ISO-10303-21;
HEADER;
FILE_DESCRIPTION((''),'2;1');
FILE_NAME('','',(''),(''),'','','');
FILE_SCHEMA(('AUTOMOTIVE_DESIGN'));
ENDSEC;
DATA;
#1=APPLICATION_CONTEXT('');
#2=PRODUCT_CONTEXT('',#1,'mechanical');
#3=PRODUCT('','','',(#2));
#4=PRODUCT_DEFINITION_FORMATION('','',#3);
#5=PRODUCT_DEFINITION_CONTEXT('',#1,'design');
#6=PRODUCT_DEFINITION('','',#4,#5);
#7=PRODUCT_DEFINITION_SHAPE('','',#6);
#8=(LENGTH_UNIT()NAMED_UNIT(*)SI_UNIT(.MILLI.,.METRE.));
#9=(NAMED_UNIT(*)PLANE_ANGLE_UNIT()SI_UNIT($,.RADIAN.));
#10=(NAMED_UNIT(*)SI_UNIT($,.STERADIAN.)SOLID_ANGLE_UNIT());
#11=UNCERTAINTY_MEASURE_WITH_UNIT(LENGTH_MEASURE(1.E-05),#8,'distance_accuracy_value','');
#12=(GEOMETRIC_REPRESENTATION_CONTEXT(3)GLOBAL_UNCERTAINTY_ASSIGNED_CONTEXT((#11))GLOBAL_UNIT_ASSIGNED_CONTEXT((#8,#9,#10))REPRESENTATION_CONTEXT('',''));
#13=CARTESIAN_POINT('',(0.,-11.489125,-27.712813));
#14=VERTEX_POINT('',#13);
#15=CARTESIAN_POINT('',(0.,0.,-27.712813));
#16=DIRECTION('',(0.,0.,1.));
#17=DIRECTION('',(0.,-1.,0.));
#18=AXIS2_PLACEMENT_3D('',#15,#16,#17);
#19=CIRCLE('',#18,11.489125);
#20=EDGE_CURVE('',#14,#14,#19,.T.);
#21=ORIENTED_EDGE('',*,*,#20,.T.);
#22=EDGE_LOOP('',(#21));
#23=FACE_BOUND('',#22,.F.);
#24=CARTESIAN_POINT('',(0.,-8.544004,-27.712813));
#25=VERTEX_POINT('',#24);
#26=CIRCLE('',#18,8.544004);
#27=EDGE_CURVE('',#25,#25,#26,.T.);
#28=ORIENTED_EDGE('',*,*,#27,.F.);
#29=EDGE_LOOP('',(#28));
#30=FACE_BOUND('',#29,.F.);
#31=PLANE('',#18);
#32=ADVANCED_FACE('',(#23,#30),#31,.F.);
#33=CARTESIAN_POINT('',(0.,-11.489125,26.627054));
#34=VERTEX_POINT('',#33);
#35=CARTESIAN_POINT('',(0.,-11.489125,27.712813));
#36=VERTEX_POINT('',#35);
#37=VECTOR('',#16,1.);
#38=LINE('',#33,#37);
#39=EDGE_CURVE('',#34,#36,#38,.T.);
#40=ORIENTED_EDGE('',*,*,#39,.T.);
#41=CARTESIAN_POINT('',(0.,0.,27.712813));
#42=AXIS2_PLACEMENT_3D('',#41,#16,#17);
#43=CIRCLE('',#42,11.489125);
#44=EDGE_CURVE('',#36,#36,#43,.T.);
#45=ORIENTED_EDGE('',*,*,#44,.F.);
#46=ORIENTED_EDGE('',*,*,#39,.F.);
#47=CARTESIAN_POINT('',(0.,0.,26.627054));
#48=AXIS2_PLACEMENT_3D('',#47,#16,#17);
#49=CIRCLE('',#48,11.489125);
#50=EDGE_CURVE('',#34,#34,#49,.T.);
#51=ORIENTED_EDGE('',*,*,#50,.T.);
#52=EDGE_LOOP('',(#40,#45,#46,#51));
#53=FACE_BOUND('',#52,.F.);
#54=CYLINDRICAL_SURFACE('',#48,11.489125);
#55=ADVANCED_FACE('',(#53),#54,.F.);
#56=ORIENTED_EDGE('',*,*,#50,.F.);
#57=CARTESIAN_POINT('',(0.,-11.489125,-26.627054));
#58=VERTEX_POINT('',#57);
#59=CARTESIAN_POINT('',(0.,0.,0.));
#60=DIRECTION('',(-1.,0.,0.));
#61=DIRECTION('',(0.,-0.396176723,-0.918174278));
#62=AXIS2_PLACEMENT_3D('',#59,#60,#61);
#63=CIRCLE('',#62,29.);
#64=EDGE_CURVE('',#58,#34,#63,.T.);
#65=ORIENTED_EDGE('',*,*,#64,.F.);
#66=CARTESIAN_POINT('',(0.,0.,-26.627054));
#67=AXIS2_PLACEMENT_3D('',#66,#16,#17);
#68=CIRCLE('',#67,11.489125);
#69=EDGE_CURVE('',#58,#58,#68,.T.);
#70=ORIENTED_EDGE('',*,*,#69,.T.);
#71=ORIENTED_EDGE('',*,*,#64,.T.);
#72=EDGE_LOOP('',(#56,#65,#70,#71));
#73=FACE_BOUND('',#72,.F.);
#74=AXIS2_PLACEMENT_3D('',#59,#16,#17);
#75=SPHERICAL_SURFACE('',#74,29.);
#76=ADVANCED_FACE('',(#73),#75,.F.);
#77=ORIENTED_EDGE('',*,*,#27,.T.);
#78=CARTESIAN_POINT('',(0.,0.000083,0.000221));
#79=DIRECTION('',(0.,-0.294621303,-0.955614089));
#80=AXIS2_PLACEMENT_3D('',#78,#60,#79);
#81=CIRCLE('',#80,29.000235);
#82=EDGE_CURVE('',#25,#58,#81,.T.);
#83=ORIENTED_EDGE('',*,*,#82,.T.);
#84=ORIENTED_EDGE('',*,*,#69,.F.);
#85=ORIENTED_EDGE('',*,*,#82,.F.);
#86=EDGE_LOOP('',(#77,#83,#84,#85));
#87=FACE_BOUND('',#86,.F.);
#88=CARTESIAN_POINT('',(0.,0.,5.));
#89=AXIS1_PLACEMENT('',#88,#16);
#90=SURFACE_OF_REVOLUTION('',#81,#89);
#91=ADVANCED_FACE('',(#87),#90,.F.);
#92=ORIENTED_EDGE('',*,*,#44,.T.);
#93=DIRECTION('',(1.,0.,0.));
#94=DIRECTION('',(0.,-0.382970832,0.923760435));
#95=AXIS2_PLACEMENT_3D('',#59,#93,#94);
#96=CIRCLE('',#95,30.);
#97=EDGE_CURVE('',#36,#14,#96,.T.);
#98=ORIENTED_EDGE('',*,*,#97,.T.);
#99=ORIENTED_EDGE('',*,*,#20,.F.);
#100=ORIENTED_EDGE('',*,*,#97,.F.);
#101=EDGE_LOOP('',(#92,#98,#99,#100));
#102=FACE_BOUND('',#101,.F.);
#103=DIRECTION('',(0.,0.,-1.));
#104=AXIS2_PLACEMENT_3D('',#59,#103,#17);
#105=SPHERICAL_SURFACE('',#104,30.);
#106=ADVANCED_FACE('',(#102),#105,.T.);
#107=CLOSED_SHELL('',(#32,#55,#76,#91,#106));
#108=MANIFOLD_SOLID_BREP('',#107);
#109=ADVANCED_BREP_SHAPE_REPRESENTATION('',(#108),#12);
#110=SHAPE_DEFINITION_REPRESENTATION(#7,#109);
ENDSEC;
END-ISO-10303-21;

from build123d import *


with BuildPart() as f2:
    # F0 (on Right) → F2 (revolve)
    with BuildSketch(Plane.YZ):
        with BuildLine():
            Line((-11.489125, 26.627054), (-11.489125, 27.712813))
            ThreePointArc((-11.489125, 27.712813), (-30, 0), (-11.489125, -27.712813))
            Line((-11.489125, -27.712813), (-8.544004, -27.712813))
            ThreePointArc((-8.544004, -27.712813), (-10.031265, -27.209809), (-11.489125, -26.627054))
            ThreePointArc((-11.489125, -26.627054), (-29, 0), (-11.489125, 26.627054))
        make_face()
    revolve(axis=Axis((0, 0, 5), (0, 0, 1)))


solid = f2.part
